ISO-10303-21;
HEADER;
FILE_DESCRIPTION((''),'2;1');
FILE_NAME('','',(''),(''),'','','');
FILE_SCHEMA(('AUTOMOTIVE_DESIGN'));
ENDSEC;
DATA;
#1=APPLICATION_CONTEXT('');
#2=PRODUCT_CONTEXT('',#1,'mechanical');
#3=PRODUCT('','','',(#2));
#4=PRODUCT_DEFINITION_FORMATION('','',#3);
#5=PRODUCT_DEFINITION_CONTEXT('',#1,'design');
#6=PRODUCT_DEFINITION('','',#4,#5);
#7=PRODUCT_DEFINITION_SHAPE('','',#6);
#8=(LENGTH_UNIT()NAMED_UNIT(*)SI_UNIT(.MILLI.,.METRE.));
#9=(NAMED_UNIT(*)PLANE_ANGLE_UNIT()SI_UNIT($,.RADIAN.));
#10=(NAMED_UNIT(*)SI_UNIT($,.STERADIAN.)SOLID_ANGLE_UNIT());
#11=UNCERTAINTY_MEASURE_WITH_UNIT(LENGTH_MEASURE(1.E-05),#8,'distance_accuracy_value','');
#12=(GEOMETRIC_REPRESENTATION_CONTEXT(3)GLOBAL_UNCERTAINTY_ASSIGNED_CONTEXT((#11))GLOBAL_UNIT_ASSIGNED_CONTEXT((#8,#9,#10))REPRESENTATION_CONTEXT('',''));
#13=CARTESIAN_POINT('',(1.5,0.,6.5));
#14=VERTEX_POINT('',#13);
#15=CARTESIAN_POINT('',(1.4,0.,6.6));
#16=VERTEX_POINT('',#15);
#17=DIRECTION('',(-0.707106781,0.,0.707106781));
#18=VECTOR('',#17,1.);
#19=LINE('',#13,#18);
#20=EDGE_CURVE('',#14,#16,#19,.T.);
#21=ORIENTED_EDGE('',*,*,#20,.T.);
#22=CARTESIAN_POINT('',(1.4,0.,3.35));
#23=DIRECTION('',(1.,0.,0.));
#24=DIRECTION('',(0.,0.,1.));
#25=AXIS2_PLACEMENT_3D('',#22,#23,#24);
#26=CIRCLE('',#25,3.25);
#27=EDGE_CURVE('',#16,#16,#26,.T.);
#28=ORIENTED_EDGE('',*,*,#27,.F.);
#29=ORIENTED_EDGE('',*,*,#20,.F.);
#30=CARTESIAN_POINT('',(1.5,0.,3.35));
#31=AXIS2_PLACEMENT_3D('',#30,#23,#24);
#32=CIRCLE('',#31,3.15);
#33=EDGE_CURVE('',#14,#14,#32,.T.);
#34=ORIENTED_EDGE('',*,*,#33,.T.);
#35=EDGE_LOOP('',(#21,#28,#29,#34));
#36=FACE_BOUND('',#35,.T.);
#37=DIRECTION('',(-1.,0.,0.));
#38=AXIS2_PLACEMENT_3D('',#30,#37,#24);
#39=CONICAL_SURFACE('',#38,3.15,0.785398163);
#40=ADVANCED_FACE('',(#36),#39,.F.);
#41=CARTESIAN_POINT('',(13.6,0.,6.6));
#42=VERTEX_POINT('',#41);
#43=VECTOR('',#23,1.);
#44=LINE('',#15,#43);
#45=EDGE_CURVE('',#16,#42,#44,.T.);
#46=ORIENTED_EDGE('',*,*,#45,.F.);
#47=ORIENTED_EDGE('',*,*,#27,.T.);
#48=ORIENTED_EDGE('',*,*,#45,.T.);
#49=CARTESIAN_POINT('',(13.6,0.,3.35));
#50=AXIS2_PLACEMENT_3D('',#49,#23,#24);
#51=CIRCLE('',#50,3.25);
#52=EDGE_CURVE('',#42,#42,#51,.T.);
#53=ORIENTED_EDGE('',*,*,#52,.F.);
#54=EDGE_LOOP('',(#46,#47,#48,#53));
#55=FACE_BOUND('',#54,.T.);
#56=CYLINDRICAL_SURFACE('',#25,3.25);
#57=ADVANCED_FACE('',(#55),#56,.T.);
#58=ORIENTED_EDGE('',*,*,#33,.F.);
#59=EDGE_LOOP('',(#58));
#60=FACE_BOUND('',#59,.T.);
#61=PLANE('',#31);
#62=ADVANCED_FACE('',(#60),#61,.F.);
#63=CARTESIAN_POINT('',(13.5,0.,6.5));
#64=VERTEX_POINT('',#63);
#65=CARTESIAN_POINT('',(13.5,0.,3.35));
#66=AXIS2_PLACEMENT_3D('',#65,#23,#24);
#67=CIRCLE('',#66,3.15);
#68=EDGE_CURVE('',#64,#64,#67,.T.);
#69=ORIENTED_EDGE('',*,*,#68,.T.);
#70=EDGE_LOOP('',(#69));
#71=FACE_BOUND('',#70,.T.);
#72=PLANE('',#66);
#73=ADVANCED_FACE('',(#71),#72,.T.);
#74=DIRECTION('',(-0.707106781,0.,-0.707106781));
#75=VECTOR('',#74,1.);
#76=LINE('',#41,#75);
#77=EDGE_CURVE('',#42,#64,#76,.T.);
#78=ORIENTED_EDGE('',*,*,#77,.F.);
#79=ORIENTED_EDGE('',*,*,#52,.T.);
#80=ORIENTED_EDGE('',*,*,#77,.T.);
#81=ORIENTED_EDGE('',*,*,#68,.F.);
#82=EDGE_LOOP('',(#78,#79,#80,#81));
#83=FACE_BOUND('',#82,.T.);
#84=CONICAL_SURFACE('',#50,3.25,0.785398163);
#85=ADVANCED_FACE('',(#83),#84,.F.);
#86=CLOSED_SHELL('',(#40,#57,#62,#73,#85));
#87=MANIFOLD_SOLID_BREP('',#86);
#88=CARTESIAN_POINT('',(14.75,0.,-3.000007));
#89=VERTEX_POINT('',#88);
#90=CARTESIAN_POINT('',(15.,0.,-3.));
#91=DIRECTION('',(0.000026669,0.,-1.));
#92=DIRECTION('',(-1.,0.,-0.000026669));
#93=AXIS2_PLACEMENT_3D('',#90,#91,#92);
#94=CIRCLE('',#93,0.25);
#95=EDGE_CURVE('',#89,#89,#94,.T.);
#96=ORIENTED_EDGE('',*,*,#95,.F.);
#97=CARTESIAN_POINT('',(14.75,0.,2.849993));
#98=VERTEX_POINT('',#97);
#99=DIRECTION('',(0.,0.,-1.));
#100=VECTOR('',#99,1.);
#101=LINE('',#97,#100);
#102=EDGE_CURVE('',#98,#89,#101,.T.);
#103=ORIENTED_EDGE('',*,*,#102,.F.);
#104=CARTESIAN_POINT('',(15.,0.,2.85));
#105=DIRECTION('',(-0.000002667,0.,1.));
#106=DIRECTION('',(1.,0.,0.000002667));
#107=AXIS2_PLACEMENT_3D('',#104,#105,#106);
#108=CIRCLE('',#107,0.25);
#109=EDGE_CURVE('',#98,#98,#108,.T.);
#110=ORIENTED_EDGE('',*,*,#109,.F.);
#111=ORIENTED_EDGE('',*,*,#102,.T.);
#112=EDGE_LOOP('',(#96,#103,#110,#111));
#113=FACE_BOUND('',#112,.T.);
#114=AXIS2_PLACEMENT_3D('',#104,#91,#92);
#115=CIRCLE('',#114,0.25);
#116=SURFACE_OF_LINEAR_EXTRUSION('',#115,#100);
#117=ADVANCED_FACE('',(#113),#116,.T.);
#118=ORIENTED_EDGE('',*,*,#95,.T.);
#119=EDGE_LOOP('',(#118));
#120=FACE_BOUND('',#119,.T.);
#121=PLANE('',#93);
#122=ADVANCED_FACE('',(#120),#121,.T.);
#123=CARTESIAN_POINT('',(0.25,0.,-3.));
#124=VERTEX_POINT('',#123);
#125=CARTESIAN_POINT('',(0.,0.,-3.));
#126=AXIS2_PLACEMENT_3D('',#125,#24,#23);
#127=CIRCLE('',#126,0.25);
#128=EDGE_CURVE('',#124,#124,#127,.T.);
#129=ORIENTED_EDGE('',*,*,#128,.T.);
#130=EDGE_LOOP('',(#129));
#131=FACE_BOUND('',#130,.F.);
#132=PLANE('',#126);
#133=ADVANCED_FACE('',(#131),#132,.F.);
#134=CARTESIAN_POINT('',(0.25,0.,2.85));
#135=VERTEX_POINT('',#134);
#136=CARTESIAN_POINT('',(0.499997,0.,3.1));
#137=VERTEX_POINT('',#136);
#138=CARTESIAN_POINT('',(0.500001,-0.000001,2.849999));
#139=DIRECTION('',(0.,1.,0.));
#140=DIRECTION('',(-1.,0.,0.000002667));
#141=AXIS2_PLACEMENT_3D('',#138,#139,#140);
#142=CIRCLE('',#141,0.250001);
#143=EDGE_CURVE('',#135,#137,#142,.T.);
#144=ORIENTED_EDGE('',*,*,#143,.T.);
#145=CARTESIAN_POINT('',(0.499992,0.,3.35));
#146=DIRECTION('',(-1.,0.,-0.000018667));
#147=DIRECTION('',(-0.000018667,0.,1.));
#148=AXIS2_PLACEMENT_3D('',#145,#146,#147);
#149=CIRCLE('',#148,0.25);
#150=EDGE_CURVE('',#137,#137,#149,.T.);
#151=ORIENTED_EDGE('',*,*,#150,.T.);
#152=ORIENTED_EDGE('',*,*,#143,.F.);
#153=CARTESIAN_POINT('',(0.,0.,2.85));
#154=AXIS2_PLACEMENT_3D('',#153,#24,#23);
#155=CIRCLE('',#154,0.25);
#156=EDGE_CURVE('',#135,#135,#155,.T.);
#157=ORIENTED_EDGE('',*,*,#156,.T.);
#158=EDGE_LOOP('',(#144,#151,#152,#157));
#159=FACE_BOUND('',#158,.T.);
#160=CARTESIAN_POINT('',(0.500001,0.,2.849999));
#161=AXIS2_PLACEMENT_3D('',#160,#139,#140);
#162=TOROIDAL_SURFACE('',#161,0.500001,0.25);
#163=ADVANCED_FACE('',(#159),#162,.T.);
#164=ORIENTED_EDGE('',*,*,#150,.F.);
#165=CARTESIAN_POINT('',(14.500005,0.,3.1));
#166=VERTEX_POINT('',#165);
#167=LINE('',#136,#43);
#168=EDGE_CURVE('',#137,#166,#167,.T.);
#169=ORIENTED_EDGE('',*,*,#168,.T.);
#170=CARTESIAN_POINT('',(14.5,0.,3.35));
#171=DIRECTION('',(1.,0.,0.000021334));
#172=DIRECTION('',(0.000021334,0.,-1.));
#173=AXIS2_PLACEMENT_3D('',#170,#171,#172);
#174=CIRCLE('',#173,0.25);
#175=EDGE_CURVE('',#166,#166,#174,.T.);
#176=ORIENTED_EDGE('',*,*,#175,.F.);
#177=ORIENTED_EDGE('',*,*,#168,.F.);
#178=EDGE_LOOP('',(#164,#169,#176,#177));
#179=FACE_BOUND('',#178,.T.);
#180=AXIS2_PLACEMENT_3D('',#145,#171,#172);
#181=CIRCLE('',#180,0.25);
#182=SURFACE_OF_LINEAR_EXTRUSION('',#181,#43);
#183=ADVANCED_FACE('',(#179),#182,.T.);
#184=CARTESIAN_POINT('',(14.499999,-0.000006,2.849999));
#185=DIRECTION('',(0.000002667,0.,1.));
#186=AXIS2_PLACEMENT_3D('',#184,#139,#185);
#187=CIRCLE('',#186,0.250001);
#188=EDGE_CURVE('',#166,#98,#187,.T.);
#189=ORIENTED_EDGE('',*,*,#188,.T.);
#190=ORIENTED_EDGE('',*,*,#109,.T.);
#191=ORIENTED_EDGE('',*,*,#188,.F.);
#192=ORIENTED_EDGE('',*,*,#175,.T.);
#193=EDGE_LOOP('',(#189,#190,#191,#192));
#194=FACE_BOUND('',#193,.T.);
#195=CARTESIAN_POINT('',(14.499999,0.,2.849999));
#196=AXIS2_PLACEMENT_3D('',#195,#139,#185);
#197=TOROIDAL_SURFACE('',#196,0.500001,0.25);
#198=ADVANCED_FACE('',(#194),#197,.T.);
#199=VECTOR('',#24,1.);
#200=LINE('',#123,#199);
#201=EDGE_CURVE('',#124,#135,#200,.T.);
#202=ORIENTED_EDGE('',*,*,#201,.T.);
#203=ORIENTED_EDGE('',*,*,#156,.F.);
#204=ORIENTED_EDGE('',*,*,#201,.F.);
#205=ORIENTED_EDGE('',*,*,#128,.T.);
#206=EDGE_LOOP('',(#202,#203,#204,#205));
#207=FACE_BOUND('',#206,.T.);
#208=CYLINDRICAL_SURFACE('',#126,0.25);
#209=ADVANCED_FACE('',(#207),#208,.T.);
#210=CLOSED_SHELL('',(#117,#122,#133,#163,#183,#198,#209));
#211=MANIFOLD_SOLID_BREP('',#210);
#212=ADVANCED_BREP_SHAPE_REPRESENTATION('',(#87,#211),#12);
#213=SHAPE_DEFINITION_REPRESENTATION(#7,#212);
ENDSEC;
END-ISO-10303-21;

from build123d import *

# Parameters (mm, degrees)
SKETCH_R = 0.25


with BuildPart() as sweep_body:
    # Sweep: sweep along a path in Sketch001
    with BuildLine(Plane.XZ) as sweep_path:
        Line((0, -3), (0, 2.85))
        ThreePointArc((0, 2.85), (0.146444, 3.20355), (0.499992, 3.35))
        Line((0.499992, 3.35), (14.5, 3.35))
        ThreePointArc((14.5, 3.35), (14.853553, 3.203553), (15, 2.85))
        Line((15, 2.85), (15, -3))
    # Sketch → Sweep (sweep)
    with BuildSketch(Plane.XY.offset(-2)):
        Circle(SKETCH_R)
    sweep(path=sweep_path.line)


with BuildPart() as revolution:
    # Sketch002 → Revolution (revolve)
    with BuildSketch(Plane.XZ):
        Polygon((1.4, 6.6), (13.6, 6.6), (13.5, 6.5), (13.5, 3.35), (1.5, 3.35), (1.5, 6.5), align=None)
    revolve(axis=Axis((7.611803, 0, 3.35), (1, 0, 0)))


solid = Compound([sweep_body.part, revolution.part])
